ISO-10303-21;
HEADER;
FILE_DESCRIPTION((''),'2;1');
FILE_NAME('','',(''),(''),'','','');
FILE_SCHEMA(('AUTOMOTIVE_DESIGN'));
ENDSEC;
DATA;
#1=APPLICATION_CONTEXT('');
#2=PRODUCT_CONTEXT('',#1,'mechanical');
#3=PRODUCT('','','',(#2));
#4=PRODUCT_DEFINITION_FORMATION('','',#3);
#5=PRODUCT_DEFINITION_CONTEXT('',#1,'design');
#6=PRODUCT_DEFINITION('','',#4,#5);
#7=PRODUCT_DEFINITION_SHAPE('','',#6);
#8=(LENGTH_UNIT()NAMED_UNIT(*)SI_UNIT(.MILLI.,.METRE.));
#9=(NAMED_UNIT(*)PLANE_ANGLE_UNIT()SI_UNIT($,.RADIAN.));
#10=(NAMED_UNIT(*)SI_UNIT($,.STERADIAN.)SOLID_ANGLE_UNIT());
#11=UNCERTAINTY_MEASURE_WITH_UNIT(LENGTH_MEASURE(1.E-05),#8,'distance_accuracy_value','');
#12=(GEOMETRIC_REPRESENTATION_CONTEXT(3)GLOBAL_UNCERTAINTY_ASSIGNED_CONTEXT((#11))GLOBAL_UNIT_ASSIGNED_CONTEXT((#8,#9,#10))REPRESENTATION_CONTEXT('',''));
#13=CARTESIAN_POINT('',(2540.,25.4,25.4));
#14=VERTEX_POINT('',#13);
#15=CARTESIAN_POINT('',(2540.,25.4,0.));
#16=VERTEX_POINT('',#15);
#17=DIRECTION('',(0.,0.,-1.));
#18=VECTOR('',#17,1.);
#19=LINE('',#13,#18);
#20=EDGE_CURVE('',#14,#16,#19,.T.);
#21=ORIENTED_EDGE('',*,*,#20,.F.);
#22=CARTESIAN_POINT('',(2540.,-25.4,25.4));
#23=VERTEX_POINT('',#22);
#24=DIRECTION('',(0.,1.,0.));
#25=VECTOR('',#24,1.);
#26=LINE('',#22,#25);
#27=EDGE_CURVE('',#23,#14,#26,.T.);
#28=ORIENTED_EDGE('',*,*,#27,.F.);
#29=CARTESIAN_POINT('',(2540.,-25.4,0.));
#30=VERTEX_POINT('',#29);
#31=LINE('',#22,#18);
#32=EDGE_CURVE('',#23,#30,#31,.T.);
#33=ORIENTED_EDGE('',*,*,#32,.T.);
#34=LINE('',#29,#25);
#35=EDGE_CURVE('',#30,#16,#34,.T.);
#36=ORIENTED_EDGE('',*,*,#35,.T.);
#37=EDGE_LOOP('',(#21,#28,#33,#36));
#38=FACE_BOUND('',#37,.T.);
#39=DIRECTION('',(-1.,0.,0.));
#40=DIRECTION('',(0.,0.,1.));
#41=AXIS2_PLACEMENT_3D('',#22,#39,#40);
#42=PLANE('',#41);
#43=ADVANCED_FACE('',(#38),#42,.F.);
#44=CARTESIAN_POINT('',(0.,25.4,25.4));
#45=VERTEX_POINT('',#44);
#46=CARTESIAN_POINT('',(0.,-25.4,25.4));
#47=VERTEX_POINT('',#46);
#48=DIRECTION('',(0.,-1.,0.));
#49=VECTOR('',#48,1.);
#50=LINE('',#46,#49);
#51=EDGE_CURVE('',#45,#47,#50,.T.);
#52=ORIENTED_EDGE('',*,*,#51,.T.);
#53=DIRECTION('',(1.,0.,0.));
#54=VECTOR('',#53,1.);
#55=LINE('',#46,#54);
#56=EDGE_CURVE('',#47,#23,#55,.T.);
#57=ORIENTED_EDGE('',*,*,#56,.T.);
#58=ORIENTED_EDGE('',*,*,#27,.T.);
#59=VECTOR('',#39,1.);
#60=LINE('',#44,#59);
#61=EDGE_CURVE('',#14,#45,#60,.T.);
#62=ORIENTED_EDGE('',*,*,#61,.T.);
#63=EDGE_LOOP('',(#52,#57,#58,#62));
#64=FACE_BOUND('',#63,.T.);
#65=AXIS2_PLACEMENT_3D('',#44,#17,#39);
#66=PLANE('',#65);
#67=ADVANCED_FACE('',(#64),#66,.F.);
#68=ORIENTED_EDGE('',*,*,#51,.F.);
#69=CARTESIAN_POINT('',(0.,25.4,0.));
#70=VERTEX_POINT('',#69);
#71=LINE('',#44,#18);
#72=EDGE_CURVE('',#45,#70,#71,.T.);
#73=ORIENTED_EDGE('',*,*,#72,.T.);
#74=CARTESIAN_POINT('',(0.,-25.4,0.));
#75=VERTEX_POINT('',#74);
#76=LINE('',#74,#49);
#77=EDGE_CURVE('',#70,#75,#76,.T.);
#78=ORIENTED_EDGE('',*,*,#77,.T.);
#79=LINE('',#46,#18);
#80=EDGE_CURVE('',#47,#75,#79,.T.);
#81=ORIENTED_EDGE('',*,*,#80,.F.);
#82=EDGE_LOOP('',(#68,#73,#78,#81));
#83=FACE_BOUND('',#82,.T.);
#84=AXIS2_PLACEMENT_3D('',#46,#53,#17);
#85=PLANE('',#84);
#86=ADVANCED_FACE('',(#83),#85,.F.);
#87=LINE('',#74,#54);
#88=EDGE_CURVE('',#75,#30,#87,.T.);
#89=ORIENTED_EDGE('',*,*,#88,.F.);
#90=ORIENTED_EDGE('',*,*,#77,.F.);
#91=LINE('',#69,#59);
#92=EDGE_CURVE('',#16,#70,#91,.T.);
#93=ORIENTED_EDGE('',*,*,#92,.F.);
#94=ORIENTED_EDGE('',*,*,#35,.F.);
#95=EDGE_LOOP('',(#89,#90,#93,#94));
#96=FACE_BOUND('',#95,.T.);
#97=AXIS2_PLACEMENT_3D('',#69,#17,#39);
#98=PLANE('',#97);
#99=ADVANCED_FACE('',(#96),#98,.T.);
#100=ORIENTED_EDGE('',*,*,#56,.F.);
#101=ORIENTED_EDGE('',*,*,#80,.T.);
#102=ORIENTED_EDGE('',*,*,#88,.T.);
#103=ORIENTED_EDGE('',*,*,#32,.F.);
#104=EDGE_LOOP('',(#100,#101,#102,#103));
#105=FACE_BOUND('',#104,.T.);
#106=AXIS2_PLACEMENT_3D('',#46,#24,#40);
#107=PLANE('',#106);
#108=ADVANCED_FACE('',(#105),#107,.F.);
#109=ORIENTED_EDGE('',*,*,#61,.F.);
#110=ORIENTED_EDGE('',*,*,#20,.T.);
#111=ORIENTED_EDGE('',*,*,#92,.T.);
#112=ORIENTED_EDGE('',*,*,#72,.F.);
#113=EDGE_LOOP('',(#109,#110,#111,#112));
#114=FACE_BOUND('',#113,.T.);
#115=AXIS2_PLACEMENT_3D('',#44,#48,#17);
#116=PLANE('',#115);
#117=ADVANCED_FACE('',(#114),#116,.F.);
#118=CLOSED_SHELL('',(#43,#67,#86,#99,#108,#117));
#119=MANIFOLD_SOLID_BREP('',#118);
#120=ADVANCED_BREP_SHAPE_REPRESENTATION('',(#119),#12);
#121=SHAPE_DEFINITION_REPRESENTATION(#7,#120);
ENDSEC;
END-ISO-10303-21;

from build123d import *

# Parameters (mm, degrees)
SKETCH1_W      = 2540
SKETCH1_H      = 50.8
EXTRUDE1_DEPTH = 25.4


with BuildPart() as part:
    # Sketch1 → Extrude1 (new body)
    with BuildSketch(Plane.XY):
        with Locations((1270, 0)):
            Rectangle(SKETCH1_W, SKETCH1_H)
    extrude(amount=EXTRUDE1_DEPTH)


solid = part.part
